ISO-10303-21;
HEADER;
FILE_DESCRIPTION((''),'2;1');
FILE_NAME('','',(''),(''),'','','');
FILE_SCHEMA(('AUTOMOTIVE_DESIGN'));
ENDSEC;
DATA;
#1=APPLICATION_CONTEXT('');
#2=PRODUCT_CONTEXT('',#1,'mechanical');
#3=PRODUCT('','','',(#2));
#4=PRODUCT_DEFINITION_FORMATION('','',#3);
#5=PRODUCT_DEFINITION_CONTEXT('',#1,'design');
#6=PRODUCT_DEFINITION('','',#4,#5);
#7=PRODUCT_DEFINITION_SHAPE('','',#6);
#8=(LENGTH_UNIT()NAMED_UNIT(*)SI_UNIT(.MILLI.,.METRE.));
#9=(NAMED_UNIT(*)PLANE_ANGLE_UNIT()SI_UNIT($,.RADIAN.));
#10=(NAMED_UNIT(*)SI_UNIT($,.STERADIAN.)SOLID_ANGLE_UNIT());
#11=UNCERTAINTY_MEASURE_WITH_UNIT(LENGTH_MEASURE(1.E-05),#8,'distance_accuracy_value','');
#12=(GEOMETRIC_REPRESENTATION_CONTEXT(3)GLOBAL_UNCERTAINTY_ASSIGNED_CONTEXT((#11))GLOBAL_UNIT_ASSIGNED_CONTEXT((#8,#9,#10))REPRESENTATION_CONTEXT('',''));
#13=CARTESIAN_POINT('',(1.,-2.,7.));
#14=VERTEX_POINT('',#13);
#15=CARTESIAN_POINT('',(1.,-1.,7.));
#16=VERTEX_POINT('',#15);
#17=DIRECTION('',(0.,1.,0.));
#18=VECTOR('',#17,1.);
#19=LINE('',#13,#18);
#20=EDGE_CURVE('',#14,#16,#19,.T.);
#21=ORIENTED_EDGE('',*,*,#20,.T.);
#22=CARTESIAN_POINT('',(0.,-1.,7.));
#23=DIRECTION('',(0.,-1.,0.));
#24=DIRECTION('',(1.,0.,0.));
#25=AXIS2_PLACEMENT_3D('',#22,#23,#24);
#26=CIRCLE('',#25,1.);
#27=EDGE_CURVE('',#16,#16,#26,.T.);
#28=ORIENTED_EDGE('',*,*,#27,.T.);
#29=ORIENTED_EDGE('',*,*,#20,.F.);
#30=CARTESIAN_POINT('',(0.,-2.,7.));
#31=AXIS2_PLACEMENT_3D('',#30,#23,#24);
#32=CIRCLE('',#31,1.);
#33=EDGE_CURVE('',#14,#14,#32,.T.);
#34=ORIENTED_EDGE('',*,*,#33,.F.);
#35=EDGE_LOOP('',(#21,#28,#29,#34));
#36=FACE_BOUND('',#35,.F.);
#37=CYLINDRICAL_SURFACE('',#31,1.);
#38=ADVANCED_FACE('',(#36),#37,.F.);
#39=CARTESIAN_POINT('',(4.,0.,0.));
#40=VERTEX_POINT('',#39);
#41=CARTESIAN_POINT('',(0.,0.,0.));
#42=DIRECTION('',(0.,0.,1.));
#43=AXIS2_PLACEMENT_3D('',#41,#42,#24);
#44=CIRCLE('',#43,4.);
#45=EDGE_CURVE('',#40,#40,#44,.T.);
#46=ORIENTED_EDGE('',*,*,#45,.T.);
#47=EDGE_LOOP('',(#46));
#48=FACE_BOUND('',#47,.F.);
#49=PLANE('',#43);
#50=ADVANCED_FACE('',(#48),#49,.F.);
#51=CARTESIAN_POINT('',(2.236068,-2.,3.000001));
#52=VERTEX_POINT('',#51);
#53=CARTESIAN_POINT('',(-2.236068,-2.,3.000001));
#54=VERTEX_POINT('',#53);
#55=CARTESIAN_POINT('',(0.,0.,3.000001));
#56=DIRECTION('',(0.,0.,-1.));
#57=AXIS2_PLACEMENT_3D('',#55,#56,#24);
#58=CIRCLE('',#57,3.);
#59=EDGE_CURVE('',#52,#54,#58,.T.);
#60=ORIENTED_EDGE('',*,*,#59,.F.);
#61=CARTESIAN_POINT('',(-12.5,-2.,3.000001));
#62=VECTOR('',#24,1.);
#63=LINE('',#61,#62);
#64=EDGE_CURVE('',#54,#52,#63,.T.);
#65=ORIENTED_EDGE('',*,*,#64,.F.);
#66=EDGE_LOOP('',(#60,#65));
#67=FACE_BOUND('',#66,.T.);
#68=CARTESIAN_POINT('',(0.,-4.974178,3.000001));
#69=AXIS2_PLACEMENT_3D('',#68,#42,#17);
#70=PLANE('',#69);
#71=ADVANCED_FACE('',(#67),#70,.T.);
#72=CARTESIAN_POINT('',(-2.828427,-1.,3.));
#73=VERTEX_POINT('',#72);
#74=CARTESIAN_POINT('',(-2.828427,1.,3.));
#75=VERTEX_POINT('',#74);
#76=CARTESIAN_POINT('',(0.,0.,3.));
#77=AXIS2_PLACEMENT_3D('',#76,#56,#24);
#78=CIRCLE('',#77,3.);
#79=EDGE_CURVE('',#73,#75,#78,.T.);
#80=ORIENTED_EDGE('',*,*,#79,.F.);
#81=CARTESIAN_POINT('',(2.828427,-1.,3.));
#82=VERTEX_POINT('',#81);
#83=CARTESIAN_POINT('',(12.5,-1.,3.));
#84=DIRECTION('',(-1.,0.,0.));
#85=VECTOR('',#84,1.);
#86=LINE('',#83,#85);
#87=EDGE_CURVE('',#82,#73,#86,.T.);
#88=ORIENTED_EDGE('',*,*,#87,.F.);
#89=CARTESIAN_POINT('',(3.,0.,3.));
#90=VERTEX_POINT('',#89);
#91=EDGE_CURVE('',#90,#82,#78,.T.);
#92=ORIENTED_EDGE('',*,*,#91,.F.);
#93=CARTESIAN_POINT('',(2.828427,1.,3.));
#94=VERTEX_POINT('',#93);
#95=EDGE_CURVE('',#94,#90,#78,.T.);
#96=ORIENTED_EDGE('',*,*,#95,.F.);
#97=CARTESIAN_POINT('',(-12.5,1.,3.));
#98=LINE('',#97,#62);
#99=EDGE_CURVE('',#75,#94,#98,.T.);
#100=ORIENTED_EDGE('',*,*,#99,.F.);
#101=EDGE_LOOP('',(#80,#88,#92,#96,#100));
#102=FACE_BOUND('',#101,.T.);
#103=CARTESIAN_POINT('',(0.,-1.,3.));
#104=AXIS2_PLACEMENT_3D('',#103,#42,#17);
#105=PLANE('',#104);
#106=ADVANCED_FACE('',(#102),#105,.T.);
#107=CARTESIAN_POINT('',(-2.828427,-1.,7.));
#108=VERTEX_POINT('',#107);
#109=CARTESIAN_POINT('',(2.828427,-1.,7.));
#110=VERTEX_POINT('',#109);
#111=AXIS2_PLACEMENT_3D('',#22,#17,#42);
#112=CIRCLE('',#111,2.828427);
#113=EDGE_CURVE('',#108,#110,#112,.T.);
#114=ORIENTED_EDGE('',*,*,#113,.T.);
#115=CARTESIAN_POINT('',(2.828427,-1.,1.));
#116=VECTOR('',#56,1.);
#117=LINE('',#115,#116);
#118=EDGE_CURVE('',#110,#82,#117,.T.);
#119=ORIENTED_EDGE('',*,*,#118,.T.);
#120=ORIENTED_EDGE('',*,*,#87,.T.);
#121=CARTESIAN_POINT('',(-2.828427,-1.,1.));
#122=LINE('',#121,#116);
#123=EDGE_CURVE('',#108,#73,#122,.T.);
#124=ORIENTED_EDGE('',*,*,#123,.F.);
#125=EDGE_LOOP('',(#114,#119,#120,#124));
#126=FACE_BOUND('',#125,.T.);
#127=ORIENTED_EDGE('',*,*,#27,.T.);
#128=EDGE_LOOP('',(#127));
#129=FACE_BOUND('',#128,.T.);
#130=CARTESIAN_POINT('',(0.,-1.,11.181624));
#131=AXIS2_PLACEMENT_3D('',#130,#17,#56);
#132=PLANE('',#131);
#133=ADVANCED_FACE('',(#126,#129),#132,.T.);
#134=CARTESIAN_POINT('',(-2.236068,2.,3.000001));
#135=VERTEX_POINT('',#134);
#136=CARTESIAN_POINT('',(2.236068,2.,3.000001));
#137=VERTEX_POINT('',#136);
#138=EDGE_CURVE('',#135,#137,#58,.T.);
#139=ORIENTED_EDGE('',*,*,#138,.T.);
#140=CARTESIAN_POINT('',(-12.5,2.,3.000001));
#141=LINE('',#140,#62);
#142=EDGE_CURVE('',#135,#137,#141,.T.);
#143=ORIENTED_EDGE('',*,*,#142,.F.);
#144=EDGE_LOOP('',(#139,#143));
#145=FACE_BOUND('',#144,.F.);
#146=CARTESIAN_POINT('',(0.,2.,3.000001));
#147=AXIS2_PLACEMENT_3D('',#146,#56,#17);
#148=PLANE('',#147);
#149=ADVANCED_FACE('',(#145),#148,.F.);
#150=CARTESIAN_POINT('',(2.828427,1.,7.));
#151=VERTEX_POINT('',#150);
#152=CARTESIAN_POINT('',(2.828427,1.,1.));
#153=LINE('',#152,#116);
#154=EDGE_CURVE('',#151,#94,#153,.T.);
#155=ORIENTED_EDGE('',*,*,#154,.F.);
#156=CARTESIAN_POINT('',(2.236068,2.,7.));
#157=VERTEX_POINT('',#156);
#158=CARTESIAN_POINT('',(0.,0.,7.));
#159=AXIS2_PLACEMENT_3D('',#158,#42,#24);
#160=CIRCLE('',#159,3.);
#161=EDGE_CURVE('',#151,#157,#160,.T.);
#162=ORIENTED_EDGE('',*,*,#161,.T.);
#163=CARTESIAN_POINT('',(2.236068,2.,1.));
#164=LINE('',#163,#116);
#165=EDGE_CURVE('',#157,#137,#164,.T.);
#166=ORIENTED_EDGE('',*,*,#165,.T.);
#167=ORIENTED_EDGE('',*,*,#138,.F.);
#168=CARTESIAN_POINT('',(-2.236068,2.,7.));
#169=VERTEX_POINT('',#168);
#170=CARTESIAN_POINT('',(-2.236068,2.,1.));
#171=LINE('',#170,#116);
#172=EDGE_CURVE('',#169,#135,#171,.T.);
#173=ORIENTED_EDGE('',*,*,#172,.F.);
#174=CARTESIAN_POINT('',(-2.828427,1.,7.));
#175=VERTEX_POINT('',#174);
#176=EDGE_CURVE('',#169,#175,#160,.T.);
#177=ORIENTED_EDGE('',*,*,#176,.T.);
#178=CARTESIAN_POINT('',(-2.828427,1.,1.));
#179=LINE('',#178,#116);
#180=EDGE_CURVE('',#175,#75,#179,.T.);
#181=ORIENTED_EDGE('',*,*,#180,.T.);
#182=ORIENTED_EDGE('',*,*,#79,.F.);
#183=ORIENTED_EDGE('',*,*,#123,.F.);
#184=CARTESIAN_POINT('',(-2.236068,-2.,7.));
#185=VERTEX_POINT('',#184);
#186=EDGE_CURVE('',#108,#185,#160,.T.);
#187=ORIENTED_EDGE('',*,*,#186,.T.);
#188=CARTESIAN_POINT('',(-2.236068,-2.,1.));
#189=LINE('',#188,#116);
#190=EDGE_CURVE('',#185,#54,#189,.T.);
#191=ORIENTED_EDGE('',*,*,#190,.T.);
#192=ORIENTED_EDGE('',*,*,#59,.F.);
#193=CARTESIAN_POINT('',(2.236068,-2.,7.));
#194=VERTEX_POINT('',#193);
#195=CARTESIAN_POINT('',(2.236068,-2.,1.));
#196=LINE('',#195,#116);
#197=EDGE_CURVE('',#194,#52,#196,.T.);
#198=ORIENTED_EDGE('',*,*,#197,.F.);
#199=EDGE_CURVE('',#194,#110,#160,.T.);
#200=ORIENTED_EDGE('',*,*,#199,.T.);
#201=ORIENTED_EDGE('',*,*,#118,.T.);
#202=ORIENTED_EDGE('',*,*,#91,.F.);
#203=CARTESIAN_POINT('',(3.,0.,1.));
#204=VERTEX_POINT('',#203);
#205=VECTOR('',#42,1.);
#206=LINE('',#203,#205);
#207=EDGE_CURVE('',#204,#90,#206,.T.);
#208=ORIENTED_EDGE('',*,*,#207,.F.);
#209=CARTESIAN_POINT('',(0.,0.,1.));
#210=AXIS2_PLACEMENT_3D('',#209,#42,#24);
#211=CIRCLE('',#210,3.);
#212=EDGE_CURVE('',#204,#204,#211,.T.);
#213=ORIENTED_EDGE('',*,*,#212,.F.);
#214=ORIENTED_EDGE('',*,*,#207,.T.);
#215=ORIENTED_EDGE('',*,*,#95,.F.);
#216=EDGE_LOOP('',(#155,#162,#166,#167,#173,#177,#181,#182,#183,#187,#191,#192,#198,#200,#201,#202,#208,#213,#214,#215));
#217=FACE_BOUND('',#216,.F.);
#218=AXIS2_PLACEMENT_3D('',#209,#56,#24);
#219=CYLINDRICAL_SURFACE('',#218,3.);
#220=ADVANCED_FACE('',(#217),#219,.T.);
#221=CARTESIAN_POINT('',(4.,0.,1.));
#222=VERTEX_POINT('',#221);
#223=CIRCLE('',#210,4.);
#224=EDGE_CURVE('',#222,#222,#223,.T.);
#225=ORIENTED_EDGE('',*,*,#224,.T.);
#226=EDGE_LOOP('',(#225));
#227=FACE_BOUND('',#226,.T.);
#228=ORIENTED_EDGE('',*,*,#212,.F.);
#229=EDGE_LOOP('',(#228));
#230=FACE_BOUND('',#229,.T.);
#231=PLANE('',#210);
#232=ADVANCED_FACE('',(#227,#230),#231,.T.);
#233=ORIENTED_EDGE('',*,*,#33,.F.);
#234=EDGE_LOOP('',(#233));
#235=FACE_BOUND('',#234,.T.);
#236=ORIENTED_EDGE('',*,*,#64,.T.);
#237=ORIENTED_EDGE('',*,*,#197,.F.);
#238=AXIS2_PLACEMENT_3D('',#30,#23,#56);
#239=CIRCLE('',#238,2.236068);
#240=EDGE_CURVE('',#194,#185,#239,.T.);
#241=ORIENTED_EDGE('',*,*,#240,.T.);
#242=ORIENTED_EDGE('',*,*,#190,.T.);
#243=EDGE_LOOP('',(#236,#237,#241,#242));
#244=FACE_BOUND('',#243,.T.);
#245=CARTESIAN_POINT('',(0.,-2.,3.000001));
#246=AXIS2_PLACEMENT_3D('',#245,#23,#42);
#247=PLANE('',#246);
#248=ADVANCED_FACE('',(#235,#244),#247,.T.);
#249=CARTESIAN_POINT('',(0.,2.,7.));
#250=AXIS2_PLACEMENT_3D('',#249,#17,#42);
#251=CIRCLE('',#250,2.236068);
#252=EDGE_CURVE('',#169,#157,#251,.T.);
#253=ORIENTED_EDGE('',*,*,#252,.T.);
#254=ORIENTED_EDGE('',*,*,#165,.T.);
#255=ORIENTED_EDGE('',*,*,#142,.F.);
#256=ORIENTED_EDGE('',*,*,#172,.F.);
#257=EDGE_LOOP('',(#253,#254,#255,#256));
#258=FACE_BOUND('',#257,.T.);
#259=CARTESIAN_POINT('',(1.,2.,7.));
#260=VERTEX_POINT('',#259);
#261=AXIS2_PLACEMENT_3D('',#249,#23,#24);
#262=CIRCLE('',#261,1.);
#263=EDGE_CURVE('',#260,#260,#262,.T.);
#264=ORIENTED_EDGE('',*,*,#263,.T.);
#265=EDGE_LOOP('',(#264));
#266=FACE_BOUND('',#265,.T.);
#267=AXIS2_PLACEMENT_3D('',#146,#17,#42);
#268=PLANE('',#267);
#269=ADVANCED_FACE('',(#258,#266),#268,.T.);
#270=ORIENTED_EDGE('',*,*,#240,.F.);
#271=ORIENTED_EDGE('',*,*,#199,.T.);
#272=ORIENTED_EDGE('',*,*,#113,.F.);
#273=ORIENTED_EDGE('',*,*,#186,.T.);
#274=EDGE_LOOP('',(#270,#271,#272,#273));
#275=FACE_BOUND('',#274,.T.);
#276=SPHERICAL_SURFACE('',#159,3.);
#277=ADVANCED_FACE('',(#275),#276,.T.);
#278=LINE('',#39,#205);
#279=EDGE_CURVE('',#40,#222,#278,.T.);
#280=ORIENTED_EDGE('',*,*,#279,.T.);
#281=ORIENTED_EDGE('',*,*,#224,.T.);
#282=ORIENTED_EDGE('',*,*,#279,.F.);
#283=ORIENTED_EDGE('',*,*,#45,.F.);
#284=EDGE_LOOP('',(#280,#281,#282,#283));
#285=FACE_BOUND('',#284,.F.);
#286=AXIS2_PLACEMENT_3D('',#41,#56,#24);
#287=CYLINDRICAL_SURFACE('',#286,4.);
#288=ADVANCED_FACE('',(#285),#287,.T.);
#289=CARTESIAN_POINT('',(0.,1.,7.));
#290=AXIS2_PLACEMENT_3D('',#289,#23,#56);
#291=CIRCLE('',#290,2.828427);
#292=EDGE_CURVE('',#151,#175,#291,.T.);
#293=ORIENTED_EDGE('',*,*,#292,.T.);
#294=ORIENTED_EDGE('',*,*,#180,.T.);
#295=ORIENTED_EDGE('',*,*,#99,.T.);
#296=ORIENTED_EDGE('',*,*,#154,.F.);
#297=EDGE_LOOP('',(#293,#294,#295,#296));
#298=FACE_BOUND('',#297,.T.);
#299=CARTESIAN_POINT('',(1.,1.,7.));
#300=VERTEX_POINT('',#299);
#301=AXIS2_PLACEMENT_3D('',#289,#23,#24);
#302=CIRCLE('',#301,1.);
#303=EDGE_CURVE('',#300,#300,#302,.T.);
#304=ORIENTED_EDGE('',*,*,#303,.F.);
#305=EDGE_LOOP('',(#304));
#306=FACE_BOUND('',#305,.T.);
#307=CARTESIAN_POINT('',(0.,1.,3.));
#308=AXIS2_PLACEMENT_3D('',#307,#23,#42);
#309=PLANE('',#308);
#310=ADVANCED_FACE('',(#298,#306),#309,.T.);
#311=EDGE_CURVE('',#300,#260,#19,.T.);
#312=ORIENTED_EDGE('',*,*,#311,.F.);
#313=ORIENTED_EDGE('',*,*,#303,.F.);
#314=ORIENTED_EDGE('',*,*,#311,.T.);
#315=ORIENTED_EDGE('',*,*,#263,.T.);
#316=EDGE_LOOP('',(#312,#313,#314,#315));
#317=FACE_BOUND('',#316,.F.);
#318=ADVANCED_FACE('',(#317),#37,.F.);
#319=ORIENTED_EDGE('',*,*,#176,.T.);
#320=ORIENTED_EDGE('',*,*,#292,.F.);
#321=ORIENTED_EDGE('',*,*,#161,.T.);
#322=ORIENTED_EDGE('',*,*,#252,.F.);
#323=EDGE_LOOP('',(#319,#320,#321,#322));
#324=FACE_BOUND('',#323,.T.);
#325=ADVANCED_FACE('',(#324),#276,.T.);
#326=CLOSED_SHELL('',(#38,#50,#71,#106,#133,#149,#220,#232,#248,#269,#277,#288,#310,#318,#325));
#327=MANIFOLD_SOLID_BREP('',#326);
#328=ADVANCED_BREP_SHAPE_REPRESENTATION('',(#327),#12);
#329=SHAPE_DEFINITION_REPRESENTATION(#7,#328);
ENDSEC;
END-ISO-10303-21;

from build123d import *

# Parameters (mm, degrees)
F0_R     = 4
F1_DEPTH = 1
F2_R     = 3
F3_DEPTH = 9
F4_R     = 3
F5_W     = 2.974178
F5_H     = 8.153107
F6_DEPTH = 12.5
F7_R     = 1
F8_DEPTH = 6.001


with BuildPart() as f1:
    # F0 (on Top) → F1 (new body)
    with BuildSketch(Plane.XY):
        Circle(F0_R)
    extrude(amount=F1_DEPTH)

    # F2 (on face) → F3 (join)
    with BuildSketch(Plane.XY.offset(1)):
        Circle(F2_R)
    extrude(amount=F3_DEPTH)

    # F4
    f4_edges = [f1.edges().sort_by_distance(p)[0] for p in [
        (-3, 0, 10),
    ]]
    fillet(f4_edges, radius=F4_R)

    # F5 (on Right) → F6 (cut, symmetric)
    with BuildSketch(Plane.YZ):
        Polygon((-1, 3), (0, 3), (1, 3), (1, 11.181624), (0, 11.181624), (-1, 11.181624), align=None)
        with Locations((-3.487089, 7.076554)):
            Rectangle(F5_W, F5_H)
        with Locations((3.487089, 7.076554)):
            Rectangle(F5_W, F5_H)
    extrude(amount=F6_DEPTH, both=True, mode=Mode.SUBTRACT)

    # F7 (on face) → F8 (cut, through all)
    with BuildSketch(Plane.XZ.offset(2)):
        with Locations((0, 7)):
            Circle(F7_R)
    extrude(amount=-F8_DEPTH, mode=Mode.SUBTRACT)


solid = f1.part
